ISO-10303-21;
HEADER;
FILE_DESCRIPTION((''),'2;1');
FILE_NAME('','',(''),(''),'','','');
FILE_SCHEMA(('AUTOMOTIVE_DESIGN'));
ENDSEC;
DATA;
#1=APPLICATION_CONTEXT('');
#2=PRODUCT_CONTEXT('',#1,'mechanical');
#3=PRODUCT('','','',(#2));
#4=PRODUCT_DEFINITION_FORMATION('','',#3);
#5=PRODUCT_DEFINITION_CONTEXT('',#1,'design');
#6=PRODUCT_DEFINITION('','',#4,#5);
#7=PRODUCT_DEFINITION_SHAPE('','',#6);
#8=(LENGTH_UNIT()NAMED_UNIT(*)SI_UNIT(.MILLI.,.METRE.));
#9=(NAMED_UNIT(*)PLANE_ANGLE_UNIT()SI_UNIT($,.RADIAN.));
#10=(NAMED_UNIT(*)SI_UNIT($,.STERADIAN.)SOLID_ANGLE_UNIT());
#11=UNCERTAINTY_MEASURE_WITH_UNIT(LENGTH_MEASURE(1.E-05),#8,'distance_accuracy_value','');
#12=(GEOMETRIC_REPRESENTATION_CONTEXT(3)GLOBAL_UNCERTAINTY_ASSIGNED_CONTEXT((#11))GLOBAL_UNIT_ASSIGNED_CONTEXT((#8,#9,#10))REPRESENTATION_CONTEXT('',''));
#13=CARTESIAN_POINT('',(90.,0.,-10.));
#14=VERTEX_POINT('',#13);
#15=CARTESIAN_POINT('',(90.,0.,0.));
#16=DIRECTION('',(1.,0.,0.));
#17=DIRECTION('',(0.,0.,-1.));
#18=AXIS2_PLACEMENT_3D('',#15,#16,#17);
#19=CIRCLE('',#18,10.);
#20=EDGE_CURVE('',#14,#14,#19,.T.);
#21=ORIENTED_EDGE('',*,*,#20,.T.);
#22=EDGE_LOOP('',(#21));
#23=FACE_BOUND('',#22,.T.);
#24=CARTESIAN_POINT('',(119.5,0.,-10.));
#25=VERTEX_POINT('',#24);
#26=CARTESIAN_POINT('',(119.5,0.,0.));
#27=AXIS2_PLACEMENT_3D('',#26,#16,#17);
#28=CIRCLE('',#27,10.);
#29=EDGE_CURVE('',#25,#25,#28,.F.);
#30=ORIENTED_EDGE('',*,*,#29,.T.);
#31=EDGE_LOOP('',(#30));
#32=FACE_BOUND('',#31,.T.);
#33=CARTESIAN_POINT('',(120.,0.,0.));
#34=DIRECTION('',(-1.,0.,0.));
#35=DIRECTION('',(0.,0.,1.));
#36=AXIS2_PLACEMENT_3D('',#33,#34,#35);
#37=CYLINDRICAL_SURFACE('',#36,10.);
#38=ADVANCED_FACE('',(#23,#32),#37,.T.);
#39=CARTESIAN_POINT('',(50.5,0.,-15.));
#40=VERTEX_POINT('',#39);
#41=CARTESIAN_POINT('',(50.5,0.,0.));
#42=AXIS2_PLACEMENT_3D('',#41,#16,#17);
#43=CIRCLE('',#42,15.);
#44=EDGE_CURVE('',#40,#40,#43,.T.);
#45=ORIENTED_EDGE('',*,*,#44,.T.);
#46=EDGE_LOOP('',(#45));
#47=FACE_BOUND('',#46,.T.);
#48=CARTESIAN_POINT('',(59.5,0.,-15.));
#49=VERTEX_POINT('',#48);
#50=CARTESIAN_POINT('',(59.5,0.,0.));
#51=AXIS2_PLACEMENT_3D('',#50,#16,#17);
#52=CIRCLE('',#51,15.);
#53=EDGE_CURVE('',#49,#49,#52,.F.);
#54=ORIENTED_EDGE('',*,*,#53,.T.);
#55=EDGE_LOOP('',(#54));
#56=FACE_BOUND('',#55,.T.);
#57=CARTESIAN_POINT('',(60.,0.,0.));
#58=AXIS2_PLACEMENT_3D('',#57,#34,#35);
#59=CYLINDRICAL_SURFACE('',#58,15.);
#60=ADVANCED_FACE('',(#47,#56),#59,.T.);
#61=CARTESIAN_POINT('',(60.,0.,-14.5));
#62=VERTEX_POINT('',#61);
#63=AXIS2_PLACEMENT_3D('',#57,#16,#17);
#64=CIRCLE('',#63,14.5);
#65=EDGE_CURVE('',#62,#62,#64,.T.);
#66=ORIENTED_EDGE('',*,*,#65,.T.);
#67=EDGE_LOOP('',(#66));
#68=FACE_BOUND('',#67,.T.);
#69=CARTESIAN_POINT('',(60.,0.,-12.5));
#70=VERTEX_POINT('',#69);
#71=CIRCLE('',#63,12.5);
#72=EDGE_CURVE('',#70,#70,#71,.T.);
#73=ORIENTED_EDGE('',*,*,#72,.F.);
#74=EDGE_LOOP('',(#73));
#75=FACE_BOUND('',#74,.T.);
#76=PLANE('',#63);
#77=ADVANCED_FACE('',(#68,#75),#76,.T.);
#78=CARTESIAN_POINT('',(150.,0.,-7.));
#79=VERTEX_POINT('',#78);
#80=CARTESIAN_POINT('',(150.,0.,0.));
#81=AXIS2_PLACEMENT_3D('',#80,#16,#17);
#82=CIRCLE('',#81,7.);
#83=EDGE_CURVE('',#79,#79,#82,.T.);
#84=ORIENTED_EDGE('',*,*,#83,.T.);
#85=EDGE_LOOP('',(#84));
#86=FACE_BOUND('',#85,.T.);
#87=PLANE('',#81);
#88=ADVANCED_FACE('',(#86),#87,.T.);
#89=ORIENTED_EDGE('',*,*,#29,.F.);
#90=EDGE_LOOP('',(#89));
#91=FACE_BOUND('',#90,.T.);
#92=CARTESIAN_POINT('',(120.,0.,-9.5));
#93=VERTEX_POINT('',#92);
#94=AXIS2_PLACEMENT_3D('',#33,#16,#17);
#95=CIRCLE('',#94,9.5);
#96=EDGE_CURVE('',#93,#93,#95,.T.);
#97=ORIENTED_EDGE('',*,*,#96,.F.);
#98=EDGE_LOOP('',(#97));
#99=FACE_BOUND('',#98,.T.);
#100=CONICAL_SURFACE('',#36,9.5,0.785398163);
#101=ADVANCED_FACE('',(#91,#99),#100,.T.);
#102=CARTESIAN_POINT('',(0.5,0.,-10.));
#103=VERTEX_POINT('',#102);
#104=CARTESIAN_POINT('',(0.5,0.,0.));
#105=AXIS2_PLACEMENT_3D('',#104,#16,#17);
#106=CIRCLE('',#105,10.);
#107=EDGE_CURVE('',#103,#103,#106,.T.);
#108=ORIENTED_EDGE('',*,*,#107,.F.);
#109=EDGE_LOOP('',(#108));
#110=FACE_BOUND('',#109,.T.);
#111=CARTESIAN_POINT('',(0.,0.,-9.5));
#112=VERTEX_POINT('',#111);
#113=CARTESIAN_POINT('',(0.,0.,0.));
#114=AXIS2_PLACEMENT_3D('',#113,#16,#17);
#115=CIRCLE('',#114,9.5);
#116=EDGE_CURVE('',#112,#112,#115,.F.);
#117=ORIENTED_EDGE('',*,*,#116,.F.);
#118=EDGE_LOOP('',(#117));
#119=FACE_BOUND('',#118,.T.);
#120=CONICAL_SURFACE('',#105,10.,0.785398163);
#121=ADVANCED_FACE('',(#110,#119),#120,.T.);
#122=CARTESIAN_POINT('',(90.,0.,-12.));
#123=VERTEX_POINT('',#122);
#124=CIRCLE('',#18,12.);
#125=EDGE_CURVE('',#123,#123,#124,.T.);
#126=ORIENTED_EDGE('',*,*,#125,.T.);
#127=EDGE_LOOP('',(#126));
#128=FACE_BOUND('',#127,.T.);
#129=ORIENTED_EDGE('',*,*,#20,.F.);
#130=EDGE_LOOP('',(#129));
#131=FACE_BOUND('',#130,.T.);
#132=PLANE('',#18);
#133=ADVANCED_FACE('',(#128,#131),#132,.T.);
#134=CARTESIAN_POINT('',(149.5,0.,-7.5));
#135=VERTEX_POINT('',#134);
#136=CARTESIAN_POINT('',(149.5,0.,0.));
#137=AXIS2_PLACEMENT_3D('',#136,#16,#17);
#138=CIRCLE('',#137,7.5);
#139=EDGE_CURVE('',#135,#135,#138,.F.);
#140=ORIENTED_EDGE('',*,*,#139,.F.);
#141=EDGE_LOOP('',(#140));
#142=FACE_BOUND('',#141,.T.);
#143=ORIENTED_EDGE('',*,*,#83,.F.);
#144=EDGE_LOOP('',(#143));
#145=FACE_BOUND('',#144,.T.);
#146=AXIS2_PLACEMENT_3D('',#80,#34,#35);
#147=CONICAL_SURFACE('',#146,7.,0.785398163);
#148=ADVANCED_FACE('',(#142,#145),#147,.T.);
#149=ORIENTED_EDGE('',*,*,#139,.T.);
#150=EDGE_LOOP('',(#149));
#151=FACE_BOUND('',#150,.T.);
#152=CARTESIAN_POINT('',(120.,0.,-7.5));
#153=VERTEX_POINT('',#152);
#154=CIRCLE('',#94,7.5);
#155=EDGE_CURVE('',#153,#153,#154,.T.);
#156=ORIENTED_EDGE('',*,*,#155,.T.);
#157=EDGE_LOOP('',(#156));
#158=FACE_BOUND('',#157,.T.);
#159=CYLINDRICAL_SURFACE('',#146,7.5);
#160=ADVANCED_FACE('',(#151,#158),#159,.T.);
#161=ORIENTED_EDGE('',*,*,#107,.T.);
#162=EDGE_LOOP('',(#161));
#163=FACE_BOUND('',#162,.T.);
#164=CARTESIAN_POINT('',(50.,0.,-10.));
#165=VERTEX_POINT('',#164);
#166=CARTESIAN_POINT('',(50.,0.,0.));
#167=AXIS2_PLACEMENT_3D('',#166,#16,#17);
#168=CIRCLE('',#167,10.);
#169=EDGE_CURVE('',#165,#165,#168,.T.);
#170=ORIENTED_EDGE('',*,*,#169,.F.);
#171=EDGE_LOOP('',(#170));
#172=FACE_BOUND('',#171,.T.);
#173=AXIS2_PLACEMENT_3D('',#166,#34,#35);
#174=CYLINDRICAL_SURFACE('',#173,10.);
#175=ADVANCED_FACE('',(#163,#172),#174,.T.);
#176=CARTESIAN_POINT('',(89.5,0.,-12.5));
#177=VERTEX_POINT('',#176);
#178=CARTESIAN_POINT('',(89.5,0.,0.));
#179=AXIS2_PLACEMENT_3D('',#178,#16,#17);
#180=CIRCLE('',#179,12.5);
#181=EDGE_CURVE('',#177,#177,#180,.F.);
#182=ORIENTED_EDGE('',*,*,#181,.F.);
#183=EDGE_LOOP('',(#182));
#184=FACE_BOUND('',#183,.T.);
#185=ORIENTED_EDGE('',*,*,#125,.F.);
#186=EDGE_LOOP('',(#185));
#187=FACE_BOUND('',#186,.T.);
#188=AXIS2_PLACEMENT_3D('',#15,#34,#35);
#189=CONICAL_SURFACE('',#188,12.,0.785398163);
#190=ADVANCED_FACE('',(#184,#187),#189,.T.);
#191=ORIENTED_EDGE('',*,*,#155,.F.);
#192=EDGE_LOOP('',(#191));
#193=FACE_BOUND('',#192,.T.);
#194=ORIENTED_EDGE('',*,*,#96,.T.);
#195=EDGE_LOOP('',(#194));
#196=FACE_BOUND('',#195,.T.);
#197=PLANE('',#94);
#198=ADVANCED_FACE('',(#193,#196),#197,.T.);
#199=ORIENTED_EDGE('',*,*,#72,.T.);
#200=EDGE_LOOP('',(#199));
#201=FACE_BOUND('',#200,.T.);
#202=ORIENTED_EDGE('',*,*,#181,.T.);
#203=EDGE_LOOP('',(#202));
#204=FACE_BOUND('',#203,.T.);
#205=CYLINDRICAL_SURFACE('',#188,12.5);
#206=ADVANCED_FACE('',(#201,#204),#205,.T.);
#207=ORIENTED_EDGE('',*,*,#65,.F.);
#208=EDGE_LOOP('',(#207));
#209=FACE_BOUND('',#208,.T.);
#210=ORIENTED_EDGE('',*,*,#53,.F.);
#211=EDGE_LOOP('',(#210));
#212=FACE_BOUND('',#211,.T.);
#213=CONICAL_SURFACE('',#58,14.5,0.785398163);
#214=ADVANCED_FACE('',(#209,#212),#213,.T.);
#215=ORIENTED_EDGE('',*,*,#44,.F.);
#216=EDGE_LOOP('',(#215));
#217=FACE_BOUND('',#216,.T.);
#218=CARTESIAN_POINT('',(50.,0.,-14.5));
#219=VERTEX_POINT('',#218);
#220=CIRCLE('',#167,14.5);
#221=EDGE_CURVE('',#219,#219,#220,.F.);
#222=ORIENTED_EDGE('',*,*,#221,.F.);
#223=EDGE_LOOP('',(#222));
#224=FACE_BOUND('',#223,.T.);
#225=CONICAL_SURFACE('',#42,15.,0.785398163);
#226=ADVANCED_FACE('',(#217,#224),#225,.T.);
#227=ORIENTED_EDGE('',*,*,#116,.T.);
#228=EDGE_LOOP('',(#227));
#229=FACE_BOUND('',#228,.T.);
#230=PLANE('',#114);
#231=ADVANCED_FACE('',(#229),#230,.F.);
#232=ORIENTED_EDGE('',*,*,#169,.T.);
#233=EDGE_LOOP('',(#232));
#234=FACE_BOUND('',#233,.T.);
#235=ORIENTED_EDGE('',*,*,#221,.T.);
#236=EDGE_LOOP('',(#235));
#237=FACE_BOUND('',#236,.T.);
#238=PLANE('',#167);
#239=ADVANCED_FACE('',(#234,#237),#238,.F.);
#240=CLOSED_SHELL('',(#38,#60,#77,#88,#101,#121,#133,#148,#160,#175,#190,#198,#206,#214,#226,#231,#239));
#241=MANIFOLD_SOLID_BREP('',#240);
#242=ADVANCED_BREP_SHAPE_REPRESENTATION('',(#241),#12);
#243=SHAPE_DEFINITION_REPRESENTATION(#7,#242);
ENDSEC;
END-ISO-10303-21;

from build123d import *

# Parameters (mm, degrees)
SKETCH_1_R      = 10
EXTRUDE_1_DEPTH = 50
CHAMFER_1_SIZE  = 0.5
SKETCH_2_R      = 15
EXTRUDE_2_DEPTH = 10
CHAMFER_2_SIZE  = 0.5
CHAMFER_3_SIZE  = 0.5
SKETCH_3_R      = 12.5
EXTRUDE_3_DEPTH = 30
CHAMFER_4_SIZE  = 0.5
SKETCH_4_R      = 10
EXTRUDE_4_DEPTH = 30
CHAMFER_5_SIZE  = 0.5
SKETCH_5_R      = 7.5
EXTRUDE_5_DEPTH = 30
CHAMFER_6_SIZE  = 0.5


with BuildPart() as part:
    # 草图1 → 凸台-拉伸1 (new body)
    with BuildSketch(Plane(origin=(0, 0, 0), x_dir=(0, 0, -1), z_dir=(1, 0, 0))):
        Circle(SKETCH_1_R)
    extrude(amount=EXTRUDE_1_DEPTH)

    # 倒角1
    chamfer_1_edges = [part.edges().sort_by_distance(p)[0] for p in [
        (0, 0, 10),
    ]]
    chamfer(chamfer_1_edges, length=CHAMFER_1_SIZE)

    # 草图2 → 凸台-拉伸2 (add)
    with BuildSketch(Plane(origin=(50, 0, 0), x_dir=(0, 0, -1), z_dir=(1, 0, 0))):
        Circle(SKETCH_2_R)
    extrude(amount=EXTRUDE_2_DEPTH)

    # 倒角2
    chamfer_2_edges = [part.edges().sort_by_distance(p)[0] for p in [
        (50, 0, 15),
    ]]
    chamfer(chamfer_2_edges, length=CHAMFER_2_SIZE)

    # 倒角3
    chamfer_3_edges = [part.edges().sort_by_distance(p)[0] for p in [
        (60, 0, 15),
    ]]
    chamfer(chamfer_3_edges, length=CHAMFER_3_SIZE)

    # 草图3 → 凸台-拉伸3 (add)
    with BuildSketch(Plane(origin=(60, 0, 0), x_dir=(0, 0, -1), z_dir=(1, 0, 0))):
        Circle(SKETCH_3_R)
    extrude(amount=EXTRUDE_3_DEPTH)

    # 倒角4
    chamfer_4_edges = [part.edges().sort_by_distance(p)[0] for p in [
        (90, 0, 12.5),
    ]]
    chamfer(chamfer_4_edges, length=CHAMFER_4_SIZE)

    # 草图4 → 凸台-拉伸4 (add)
    with BuildSketch(Plane(origin=(90, 0, 0), x_dir=(0, 0, -1), z_dir=(1, 0, 0))):
        Circle(SKETCH_4_R)
    extrude(amount=EXTRUDE_4_DEPTH)

    # 倒角5
    chamfer_5_edges = [part.edges().sort_by_distance(p)[0] for p in [
        (120, 0, 10),
    ]]
    chamfer(chamfer_5_edges, length=CHAMFER_5_SIZE)

    # 草图5 → 凸台-拉伸5 (add)
    with BuildSketch(Plane(origin=(120, 0, 0), x_dir=(0, 0, -1), z_dir=(1, 0, 0))):
        Circle(SKETCH_5_R)
    extrude(amount=EXTRUDE_5_DEPTH)

    # 倒角6
    chamfer_6_edges = [part.edges().sort_by_distance(p)[0] for p in [
        (150, 0, 7.5),
    ]]
    chamfer(chamfer_6_edges, length=CHAMFER_6_SIZE)


solid = part.part
